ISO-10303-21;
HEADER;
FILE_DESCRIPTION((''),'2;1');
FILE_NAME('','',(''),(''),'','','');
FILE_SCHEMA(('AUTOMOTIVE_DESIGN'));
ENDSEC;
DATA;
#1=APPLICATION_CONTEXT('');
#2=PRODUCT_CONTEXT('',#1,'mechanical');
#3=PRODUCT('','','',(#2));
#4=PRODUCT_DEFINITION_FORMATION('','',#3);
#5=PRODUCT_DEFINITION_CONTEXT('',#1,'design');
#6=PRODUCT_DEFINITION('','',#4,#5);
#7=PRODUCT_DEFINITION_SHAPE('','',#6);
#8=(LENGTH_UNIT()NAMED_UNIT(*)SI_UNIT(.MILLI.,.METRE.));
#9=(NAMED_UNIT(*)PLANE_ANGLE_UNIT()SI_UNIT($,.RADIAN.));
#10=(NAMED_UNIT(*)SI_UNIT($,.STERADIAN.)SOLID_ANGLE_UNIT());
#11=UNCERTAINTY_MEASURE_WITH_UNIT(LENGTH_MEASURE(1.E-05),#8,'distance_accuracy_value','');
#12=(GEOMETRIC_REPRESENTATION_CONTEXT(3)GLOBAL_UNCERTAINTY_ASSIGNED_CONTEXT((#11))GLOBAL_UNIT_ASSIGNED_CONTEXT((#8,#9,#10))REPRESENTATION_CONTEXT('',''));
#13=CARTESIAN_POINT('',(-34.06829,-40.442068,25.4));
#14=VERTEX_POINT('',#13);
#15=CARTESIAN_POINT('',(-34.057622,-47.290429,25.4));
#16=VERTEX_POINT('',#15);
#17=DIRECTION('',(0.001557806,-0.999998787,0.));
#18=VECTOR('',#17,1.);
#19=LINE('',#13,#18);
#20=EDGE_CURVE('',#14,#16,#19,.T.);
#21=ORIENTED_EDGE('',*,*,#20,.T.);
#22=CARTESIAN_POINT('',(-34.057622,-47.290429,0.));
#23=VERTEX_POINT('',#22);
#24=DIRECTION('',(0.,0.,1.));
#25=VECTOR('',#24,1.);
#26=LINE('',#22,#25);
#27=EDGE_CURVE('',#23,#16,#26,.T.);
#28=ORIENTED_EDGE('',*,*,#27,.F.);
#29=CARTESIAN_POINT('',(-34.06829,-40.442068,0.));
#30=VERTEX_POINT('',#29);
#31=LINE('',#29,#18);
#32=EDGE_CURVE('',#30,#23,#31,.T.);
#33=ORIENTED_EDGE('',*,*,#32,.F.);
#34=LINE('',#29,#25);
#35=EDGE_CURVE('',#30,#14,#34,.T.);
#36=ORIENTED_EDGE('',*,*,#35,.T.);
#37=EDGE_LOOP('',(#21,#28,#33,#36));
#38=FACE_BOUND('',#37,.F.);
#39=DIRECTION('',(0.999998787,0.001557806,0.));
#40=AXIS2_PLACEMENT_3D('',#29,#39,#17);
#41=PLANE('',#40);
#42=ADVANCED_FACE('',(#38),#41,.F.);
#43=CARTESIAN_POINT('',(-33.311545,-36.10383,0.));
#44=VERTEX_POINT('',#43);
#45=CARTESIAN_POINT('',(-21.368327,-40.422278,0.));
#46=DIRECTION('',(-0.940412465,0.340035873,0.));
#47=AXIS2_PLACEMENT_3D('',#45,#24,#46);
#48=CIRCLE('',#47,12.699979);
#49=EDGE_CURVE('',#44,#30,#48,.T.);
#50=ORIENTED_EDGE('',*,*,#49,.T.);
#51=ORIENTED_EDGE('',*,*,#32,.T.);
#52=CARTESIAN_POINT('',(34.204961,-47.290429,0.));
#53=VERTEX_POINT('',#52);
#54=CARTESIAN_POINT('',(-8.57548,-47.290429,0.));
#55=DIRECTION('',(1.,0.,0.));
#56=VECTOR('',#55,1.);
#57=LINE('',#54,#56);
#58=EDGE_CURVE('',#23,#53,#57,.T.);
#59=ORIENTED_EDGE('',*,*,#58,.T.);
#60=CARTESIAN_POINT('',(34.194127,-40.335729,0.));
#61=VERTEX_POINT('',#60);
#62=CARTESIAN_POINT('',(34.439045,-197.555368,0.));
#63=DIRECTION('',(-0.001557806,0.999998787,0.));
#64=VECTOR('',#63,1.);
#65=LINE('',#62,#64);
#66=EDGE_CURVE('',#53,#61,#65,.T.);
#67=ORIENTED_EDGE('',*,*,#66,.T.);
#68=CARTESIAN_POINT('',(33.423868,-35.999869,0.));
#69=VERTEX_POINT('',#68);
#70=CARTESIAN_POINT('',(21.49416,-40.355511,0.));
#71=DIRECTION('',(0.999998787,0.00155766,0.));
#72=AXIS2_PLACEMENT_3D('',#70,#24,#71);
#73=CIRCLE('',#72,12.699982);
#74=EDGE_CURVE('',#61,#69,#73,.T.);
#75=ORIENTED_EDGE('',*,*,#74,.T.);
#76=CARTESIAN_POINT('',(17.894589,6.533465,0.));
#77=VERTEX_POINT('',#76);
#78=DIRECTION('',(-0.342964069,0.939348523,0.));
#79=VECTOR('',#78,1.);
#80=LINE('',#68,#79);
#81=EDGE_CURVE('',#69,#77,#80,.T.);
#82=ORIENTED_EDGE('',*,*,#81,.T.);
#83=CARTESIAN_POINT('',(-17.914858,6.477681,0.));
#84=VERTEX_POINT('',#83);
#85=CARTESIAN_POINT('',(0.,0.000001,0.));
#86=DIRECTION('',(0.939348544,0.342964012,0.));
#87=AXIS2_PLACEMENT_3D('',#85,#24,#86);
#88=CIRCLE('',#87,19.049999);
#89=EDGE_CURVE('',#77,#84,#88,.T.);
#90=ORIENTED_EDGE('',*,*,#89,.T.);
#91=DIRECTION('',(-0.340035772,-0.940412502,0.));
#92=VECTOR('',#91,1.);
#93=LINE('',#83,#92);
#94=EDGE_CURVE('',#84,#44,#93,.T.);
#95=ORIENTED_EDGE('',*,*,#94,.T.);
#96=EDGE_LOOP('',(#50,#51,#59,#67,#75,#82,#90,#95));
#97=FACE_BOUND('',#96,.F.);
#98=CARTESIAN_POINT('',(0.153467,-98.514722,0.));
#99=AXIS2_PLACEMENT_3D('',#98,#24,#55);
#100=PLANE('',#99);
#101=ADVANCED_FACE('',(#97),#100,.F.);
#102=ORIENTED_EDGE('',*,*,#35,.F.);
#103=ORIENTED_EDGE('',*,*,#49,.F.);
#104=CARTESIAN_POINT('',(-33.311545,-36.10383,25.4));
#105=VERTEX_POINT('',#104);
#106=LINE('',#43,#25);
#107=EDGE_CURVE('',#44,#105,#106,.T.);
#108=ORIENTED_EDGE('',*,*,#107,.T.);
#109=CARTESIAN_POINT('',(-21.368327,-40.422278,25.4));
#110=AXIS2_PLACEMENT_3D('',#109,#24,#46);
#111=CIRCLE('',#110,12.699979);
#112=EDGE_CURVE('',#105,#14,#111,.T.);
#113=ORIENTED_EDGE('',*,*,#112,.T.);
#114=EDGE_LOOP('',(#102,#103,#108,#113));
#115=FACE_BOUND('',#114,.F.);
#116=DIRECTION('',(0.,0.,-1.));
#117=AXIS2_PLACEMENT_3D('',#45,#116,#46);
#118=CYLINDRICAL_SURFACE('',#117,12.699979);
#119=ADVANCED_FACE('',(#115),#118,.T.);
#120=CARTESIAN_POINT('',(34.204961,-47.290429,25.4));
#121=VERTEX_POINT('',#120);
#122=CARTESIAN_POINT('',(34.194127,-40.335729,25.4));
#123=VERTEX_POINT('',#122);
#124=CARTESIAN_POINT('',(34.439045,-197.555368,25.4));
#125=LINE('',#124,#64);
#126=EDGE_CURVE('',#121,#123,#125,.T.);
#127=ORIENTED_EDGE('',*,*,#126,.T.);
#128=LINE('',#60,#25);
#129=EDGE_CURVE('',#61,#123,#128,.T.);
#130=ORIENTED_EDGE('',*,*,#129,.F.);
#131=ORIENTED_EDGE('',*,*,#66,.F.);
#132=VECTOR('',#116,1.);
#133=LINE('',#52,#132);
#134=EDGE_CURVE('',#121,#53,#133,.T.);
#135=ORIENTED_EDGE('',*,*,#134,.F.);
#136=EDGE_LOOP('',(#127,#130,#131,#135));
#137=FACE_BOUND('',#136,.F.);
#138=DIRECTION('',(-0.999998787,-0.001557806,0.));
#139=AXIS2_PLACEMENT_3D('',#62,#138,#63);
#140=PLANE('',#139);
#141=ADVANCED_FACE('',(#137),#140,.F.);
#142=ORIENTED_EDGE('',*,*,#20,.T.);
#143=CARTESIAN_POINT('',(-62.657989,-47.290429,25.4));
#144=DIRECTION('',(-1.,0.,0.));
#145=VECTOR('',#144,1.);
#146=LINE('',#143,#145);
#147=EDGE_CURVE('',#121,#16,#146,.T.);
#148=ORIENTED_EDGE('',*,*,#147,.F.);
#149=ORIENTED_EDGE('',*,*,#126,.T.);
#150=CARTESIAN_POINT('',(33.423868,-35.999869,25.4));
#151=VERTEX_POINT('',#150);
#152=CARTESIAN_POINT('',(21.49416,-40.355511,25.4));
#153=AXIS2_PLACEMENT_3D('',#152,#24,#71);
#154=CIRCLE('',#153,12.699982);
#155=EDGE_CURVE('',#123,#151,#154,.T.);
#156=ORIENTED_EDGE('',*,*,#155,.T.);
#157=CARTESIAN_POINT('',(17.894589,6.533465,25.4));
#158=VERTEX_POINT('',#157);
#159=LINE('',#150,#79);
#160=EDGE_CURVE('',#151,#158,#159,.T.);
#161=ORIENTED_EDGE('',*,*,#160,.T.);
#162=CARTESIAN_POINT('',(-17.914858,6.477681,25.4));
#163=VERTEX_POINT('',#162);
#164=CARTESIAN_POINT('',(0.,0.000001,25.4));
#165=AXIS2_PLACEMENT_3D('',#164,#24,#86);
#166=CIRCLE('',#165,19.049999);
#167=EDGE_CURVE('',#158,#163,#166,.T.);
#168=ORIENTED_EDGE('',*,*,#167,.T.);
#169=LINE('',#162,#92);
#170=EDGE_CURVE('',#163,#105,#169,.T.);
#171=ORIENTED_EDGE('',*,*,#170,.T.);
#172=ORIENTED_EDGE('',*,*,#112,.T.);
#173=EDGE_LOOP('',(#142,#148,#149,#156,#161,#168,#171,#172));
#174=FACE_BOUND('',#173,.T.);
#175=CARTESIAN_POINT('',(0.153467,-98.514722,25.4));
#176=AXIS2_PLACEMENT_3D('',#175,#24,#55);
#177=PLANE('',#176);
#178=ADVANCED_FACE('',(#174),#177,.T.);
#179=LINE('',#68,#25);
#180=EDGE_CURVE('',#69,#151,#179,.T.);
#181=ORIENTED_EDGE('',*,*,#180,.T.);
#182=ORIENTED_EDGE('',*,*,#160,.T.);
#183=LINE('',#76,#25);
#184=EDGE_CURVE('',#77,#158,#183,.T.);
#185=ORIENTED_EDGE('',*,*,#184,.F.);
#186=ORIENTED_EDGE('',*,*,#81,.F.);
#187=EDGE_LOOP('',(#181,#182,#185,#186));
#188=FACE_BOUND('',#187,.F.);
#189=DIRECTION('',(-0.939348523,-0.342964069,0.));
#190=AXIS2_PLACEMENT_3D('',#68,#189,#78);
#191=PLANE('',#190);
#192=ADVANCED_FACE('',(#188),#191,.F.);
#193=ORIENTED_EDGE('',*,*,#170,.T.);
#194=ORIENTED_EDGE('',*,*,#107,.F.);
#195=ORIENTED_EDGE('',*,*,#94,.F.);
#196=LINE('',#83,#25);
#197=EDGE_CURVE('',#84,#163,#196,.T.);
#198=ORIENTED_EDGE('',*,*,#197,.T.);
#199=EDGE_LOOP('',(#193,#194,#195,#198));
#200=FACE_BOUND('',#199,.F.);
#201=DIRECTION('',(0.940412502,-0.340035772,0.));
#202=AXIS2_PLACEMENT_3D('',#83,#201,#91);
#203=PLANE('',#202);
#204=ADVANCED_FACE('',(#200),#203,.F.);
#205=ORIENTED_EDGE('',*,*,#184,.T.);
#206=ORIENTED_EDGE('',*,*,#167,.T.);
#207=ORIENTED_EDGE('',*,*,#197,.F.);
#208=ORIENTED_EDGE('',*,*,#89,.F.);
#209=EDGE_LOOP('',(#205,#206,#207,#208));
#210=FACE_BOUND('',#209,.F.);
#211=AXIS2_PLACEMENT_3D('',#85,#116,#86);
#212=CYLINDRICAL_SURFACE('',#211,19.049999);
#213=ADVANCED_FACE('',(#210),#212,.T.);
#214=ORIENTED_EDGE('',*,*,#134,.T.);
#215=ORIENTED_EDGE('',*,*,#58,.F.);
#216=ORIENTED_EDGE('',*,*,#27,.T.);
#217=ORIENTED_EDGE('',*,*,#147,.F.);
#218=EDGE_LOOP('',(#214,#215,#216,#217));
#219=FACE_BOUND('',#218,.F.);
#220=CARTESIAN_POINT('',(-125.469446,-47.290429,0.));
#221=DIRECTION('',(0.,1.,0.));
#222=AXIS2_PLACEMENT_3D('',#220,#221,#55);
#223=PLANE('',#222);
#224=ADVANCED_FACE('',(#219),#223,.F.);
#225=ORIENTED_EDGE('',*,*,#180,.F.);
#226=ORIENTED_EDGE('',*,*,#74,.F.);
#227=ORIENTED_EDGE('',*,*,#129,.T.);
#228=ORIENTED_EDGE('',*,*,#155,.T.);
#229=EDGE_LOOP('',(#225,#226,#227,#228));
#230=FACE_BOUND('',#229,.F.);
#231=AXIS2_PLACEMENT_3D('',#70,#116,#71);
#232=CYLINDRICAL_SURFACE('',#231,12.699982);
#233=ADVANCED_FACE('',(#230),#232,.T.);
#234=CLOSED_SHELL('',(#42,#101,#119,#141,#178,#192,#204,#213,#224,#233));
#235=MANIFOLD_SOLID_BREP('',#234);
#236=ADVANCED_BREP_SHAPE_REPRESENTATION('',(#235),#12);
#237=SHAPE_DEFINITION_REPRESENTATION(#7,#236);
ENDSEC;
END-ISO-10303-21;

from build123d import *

# Parameters (mm, degrees)
F1_DEPTH = 25.4
F2_W     = 233.787931
F2_H     = 188.866646
F3_DEPTH = 91.948


with BuildPart() as f1:
    # F0 (on Top) → F1 (new body)
    with BuildSketch(Plane.XY):
        with BuildLine():
            Line((33.423868, -35.999869), (17.894589, 6.533465))
            ThreePointArc((17.894589, 6.533465), (-0.029676, 19.049977), (-17.914858, 6.477681))
            Line((-17.914858, 6.477681), (-33.311545, -36.10383))
            ThreePointArc((-33.311545, -36.10383), (-33.879389, -38.239899), (-34.06829, -40.442068))
            Line((-34.06829, -40.442068), (-33.823372, -197.661708))
            Line((-33.823372, -197.661708), (34.439045, -197.555368))
            Line((34.439045, -197.555368), (34.194127, -40.335729))
            ThreePointArc((34.194127, -40.335729), (33.998365, -38.134158), (33.423868, -35.999869))
        make_face()
    extrude(amount=F1_DEPTH)

    # F2 (on face) → F3 (cut)
    with BuildSketch(Plane(origin=(0, 0, 0), x_dir=(1, 0, 0), z_dir=(0, 0, -1))):
        with Locations((-8.57548, 141.723752)):
            Rectangle(F2_W, F2_H)
    extrude(amount=-F3_DEPTH, mode=Mode.SUBTRACT)


solid = f1.part
